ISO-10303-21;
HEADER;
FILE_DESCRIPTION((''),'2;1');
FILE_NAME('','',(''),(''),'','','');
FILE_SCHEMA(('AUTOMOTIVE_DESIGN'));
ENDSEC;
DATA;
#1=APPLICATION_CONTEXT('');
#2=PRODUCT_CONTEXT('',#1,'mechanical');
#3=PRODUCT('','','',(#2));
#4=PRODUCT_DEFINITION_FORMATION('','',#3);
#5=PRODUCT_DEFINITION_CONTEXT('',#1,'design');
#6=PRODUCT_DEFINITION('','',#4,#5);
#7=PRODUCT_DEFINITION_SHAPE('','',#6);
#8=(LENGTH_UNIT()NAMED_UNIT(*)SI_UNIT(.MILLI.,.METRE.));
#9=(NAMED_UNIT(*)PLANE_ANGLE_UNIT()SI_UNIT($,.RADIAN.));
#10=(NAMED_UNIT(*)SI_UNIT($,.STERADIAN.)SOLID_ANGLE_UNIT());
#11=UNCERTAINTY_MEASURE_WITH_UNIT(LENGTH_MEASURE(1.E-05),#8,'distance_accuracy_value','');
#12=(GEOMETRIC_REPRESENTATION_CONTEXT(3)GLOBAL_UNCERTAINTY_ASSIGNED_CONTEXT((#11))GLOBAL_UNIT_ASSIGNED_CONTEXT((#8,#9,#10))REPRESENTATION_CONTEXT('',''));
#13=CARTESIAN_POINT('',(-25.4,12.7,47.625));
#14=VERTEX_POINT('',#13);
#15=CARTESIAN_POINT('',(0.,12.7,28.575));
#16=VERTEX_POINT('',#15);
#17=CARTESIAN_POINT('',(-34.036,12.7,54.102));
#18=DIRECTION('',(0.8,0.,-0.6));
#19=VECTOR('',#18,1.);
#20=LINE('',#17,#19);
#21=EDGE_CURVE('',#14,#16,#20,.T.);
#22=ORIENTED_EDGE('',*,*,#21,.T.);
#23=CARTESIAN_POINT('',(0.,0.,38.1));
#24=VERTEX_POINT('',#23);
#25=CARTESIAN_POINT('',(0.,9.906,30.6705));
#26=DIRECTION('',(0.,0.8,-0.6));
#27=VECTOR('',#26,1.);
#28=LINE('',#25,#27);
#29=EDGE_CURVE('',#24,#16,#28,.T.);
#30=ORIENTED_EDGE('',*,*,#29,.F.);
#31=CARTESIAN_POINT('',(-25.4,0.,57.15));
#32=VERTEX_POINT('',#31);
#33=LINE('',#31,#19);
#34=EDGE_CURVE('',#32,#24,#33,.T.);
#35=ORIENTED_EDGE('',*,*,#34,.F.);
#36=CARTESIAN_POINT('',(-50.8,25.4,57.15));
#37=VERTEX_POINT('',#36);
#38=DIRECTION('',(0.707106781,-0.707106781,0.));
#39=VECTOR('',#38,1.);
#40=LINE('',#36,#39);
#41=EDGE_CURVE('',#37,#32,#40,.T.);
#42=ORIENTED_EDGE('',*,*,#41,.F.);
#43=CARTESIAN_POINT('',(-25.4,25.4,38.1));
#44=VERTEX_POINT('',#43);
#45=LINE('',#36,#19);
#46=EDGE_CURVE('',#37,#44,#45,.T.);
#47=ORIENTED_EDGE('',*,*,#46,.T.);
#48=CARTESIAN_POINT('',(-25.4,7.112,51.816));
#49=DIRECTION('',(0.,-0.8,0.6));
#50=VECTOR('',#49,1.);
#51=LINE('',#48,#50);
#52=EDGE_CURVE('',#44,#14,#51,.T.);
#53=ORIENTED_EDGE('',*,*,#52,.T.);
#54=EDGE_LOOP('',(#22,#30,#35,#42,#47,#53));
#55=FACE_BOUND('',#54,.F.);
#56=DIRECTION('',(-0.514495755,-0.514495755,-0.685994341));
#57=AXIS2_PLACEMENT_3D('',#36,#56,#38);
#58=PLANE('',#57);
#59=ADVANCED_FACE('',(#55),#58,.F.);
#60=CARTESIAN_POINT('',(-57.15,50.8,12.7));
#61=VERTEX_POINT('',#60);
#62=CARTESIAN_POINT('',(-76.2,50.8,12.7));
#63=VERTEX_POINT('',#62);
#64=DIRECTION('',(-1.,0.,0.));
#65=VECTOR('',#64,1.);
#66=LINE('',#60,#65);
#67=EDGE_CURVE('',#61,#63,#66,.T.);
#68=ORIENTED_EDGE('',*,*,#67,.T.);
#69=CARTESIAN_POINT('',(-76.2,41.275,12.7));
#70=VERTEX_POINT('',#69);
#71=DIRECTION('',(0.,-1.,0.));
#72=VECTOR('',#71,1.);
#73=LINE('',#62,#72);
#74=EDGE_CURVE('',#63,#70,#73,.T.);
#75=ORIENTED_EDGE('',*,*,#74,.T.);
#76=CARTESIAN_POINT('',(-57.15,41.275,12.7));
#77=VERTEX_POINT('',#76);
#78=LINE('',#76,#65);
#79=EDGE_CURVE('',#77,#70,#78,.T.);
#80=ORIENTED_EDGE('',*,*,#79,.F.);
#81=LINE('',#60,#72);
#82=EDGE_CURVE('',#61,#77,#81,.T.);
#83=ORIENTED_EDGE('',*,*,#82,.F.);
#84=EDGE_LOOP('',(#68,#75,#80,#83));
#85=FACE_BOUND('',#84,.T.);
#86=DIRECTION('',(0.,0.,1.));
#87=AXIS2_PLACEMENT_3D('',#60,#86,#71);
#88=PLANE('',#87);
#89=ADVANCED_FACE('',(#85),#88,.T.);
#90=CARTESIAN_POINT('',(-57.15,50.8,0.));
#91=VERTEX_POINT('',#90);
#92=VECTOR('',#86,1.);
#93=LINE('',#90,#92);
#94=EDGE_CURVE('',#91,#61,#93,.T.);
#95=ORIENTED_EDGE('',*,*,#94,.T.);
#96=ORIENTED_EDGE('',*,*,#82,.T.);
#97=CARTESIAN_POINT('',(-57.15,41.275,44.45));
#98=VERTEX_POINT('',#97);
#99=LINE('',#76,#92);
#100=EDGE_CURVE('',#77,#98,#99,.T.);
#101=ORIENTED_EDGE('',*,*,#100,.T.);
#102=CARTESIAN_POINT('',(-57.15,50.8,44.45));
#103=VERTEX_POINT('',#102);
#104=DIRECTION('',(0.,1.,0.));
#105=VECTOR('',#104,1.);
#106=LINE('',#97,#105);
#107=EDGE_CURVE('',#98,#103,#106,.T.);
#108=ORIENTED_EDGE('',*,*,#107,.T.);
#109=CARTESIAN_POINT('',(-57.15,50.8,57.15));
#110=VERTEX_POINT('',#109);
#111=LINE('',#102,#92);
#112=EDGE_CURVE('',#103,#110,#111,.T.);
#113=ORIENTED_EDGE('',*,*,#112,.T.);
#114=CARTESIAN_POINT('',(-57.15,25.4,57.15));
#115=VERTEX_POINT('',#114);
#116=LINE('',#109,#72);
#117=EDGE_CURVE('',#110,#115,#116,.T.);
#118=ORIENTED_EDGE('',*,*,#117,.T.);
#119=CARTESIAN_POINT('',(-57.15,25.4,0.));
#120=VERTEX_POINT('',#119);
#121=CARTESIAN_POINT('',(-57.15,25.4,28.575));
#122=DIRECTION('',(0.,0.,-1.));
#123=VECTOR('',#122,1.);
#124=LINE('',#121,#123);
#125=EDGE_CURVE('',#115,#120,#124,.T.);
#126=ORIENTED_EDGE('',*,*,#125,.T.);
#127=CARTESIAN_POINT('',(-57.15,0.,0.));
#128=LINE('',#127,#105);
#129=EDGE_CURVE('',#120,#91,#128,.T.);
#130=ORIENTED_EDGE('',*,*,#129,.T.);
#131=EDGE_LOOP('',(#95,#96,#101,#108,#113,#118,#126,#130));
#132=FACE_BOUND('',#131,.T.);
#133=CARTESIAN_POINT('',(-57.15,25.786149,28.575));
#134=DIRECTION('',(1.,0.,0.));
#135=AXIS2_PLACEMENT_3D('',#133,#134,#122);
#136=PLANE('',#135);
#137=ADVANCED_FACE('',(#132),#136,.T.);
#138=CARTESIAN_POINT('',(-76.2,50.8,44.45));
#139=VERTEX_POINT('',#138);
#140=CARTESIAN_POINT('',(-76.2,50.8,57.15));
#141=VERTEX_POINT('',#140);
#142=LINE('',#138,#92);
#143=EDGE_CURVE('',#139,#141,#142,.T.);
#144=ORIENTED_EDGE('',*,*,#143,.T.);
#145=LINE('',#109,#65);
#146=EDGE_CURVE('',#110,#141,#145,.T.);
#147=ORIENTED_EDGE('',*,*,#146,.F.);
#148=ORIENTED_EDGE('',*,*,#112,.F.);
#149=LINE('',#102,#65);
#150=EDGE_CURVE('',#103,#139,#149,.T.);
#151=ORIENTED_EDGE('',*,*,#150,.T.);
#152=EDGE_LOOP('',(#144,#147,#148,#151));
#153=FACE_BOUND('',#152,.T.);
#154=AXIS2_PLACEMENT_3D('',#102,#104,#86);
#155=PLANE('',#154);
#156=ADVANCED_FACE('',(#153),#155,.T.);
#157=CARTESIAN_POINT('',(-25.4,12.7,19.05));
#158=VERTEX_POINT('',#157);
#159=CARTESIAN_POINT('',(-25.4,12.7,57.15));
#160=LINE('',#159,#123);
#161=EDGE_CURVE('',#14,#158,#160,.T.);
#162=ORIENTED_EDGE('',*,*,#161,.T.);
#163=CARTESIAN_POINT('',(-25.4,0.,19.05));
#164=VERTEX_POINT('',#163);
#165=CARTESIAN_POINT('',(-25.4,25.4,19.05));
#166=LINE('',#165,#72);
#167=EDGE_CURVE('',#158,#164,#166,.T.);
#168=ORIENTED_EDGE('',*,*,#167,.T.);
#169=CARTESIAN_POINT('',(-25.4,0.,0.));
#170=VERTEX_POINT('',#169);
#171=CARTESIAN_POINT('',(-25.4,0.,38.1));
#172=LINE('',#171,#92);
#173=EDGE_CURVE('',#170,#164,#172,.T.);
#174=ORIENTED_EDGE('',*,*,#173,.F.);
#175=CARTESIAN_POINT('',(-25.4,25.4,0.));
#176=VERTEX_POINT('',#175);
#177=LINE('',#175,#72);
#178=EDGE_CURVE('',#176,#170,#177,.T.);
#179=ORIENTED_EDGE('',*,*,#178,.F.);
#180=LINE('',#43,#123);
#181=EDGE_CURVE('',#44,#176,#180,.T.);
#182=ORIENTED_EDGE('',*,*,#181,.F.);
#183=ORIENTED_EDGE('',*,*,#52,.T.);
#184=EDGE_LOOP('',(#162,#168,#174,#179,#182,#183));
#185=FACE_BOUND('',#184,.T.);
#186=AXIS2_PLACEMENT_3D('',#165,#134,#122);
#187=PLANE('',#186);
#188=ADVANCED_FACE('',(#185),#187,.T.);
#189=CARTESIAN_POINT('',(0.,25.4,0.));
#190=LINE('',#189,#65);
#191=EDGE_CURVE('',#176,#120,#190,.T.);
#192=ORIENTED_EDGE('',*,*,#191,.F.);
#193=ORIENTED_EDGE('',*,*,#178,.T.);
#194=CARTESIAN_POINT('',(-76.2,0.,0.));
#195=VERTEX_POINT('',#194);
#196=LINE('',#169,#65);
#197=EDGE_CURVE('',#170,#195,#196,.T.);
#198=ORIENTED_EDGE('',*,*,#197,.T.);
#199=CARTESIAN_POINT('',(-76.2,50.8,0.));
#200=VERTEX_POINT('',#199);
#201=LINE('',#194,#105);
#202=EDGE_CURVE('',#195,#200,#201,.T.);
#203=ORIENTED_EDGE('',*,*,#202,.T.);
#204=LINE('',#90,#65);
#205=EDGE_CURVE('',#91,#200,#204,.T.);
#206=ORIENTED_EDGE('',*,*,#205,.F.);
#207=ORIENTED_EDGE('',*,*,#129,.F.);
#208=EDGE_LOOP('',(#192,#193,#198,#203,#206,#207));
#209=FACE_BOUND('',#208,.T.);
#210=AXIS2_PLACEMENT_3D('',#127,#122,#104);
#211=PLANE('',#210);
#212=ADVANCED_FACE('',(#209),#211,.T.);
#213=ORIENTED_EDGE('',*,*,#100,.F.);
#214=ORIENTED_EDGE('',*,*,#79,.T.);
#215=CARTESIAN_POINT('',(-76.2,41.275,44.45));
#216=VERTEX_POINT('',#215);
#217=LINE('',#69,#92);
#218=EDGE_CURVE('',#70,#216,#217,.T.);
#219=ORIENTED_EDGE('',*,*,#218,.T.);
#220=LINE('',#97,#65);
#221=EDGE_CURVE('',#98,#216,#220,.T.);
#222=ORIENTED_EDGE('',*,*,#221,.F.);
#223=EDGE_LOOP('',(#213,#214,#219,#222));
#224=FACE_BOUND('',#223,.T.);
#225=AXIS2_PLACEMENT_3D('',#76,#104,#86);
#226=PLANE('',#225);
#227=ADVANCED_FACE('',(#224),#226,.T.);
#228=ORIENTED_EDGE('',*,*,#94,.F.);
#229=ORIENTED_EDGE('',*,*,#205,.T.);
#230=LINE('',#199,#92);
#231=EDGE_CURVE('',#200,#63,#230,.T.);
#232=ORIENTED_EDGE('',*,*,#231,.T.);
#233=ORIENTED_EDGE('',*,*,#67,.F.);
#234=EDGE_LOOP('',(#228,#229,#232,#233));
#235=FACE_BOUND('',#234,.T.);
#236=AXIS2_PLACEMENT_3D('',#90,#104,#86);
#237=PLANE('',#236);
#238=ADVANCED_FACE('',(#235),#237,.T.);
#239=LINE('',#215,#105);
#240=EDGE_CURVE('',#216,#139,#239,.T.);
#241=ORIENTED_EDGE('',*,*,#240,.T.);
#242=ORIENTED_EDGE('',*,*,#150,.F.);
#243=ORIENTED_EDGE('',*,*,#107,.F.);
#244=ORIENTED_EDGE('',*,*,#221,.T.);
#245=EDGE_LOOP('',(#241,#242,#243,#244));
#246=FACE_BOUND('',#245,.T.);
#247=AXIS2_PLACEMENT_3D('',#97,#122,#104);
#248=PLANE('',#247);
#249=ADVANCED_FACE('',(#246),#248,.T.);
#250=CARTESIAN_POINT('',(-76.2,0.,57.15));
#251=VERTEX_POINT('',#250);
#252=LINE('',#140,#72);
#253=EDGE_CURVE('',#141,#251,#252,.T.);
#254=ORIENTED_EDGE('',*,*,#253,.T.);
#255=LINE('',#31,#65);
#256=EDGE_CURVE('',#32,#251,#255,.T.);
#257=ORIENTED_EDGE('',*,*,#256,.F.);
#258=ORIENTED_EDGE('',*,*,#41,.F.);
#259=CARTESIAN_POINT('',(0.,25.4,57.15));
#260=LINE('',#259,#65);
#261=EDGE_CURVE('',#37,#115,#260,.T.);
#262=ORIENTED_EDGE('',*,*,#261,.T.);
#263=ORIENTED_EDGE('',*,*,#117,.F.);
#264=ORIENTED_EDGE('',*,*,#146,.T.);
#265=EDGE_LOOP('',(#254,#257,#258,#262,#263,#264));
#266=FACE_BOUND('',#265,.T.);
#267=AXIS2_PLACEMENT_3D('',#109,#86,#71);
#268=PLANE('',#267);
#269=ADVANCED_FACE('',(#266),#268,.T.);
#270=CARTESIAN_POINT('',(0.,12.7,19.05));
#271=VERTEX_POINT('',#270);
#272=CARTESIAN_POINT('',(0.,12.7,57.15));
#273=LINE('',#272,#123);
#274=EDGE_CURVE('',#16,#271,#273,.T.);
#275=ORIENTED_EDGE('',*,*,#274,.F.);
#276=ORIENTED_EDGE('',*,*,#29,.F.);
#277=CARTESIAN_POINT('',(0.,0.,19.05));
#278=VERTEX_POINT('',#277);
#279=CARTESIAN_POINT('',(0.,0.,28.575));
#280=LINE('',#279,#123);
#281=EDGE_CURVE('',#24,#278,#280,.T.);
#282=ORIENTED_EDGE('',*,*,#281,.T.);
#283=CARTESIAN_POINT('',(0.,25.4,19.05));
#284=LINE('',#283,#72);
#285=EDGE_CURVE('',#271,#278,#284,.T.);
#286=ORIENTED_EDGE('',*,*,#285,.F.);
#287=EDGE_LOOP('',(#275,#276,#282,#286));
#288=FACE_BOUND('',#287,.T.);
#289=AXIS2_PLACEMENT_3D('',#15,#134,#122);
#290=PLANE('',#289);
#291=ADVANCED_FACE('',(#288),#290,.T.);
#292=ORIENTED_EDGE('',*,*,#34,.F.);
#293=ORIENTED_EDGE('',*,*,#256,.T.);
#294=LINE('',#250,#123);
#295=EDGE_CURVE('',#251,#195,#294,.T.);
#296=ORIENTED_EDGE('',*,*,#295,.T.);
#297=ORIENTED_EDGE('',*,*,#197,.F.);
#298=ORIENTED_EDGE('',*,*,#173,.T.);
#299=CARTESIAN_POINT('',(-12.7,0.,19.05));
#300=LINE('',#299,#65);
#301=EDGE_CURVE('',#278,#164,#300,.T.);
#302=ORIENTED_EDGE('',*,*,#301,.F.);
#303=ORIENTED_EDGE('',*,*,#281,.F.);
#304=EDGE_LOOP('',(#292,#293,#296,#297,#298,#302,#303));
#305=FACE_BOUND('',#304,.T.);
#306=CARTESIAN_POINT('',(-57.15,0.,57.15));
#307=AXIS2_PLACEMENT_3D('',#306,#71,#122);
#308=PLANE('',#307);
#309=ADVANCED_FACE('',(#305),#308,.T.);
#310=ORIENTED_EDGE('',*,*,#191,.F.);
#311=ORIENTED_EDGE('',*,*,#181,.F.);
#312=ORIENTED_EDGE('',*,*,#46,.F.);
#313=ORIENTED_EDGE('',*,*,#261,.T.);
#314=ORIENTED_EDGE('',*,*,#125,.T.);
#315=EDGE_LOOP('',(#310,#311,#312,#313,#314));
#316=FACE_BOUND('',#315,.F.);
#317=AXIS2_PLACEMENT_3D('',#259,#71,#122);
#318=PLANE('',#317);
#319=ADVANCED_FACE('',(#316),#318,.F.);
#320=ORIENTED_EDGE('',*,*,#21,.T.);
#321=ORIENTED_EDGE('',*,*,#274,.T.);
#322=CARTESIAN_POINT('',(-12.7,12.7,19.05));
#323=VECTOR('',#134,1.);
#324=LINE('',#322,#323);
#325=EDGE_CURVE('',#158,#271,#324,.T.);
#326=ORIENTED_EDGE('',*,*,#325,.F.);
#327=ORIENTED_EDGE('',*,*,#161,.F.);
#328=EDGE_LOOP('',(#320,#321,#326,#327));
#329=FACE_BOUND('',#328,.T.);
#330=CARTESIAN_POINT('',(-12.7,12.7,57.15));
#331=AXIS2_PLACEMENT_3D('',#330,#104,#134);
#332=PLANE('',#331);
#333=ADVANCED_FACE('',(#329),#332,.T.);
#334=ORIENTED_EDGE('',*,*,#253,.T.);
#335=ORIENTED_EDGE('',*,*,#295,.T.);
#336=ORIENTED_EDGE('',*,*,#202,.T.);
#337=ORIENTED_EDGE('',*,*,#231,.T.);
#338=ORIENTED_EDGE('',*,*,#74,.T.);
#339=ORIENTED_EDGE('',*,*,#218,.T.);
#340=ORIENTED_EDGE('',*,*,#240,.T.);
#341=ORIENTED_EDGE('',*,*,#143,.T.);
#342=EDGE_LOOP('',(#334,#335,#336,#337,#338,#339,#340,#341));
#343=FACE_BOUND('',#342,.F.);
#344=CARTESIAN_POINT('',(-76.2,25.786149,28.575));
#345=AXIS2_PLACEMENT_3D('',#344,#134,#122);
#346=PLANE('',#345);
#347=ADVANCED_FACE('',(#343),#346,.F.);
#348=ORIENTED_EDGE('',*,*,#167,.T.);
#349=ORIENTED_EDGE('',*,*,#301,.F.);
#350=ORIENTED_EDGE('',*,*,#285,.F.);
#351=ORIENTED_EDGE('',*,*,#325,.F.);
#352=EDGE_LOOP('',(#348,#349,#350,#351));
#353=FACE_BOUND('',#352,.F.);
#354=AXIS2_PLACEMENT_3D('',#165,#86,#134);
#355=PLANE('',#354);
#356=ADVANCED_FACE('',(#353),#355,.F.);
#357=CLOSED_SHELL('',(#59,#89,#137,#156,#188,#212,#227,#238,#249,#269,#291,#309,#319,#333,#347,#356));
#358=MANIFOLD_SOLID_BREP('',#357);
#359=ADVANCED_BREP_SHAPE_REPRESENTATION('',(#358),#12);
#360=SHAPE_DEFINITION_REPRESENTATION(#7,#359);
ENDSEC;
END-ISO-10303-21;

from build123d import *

# Parameters (mm, degrees)
SKETCH1_W           = 57.15
SKETCH1_H           = 25.4
BOSS_EXTRUDE1_DEPTH = 57.15
SKETCH2_W           = 25.4
SKETCH2_H           = 19.05
CUT_EXTRUDE1_DEPTH  = 85.719566807
CUT_EXTRUDE3_DEPTH  = 142.865944679
BOSS_EXTRUDE2_DEPTH = 19.05
SKETCH8_W           = 25.4
SKETCH8_H           = 76.2
CUT_EXTRUDE4_DEPTH  = 12.7


with BuildPart() as part:
    # Sketch1 → Boss-Extrude1 (new body)
    with BuildSketch(Plane(origin=(0, 0, 0), x_dir=(0, 0, -1), z_dir=(1, 0, 0))):
        with Locations((-28.575, 12.7)):
            Rectangle(SKETCH1_W, SKETCH1_H)
    extrude(amount=-BOSS_EXTRUDE1_DEPTH)

    # Sketch2 → Cut-Extrude1 (cut, through all)
    with BuildSketch(Plane(origin=(0, 25.4, 0), x_dir=(1, 0, 0), z_dir=(0, 1, 0))):
        with Locations((-12.7, -9.525)):
            Rectangle(SKETCH2_W, SKETCH2_H)
    extrude(amount=-CUT_EXTRUDE1_DEPTH, mode=Mode.SUBTRACT)

    # Sketch4 → Cut-Extrude3 (cut, through all, along a direction that is not the sketch's normal)
    with BuildSketch(Plane.XY.offset(57.15)):
        Polygon((-50.8, 25.4), (-25.4, 0), (0, 0), (0, 25.4), align=None)
    extrude(amount=-CUT_EXTRUDE3_DEPTH, dir=(-0.8, 0, 0.6), mode=Mode.SUBTRACT)

    # Sketch6 → Boss-Extrude2 (add)
    with BuildSketch(Plane.ZY.offset(57.15)):
        Polygon((0, 0), (0, 50.8), (12.7, 50.8), (12.7, 41.275), (44.45, 41.275), (44.45, 50.8), (57.15, 50.8), (57.15, 0), align=None)
    extrude(amount=BOSS_EXTRUDE2_DEPTH)

    # Sketch8 → Cut-Extrude4 (cut)
    with BuildSketch(Plane(origin=(0, 25.4, 0), x_dir=(1, 0, 0), z_dir=(0, 1, 0))):
        with Locations((-12.7, -57.15)):
            Rectangle(SKETCH8_W, SKETCH8_H)
    extrude(amount=-CUT_EXTRUDE4_DEPTH, mode=Mode.SUBTRACT)


solid = part.part
